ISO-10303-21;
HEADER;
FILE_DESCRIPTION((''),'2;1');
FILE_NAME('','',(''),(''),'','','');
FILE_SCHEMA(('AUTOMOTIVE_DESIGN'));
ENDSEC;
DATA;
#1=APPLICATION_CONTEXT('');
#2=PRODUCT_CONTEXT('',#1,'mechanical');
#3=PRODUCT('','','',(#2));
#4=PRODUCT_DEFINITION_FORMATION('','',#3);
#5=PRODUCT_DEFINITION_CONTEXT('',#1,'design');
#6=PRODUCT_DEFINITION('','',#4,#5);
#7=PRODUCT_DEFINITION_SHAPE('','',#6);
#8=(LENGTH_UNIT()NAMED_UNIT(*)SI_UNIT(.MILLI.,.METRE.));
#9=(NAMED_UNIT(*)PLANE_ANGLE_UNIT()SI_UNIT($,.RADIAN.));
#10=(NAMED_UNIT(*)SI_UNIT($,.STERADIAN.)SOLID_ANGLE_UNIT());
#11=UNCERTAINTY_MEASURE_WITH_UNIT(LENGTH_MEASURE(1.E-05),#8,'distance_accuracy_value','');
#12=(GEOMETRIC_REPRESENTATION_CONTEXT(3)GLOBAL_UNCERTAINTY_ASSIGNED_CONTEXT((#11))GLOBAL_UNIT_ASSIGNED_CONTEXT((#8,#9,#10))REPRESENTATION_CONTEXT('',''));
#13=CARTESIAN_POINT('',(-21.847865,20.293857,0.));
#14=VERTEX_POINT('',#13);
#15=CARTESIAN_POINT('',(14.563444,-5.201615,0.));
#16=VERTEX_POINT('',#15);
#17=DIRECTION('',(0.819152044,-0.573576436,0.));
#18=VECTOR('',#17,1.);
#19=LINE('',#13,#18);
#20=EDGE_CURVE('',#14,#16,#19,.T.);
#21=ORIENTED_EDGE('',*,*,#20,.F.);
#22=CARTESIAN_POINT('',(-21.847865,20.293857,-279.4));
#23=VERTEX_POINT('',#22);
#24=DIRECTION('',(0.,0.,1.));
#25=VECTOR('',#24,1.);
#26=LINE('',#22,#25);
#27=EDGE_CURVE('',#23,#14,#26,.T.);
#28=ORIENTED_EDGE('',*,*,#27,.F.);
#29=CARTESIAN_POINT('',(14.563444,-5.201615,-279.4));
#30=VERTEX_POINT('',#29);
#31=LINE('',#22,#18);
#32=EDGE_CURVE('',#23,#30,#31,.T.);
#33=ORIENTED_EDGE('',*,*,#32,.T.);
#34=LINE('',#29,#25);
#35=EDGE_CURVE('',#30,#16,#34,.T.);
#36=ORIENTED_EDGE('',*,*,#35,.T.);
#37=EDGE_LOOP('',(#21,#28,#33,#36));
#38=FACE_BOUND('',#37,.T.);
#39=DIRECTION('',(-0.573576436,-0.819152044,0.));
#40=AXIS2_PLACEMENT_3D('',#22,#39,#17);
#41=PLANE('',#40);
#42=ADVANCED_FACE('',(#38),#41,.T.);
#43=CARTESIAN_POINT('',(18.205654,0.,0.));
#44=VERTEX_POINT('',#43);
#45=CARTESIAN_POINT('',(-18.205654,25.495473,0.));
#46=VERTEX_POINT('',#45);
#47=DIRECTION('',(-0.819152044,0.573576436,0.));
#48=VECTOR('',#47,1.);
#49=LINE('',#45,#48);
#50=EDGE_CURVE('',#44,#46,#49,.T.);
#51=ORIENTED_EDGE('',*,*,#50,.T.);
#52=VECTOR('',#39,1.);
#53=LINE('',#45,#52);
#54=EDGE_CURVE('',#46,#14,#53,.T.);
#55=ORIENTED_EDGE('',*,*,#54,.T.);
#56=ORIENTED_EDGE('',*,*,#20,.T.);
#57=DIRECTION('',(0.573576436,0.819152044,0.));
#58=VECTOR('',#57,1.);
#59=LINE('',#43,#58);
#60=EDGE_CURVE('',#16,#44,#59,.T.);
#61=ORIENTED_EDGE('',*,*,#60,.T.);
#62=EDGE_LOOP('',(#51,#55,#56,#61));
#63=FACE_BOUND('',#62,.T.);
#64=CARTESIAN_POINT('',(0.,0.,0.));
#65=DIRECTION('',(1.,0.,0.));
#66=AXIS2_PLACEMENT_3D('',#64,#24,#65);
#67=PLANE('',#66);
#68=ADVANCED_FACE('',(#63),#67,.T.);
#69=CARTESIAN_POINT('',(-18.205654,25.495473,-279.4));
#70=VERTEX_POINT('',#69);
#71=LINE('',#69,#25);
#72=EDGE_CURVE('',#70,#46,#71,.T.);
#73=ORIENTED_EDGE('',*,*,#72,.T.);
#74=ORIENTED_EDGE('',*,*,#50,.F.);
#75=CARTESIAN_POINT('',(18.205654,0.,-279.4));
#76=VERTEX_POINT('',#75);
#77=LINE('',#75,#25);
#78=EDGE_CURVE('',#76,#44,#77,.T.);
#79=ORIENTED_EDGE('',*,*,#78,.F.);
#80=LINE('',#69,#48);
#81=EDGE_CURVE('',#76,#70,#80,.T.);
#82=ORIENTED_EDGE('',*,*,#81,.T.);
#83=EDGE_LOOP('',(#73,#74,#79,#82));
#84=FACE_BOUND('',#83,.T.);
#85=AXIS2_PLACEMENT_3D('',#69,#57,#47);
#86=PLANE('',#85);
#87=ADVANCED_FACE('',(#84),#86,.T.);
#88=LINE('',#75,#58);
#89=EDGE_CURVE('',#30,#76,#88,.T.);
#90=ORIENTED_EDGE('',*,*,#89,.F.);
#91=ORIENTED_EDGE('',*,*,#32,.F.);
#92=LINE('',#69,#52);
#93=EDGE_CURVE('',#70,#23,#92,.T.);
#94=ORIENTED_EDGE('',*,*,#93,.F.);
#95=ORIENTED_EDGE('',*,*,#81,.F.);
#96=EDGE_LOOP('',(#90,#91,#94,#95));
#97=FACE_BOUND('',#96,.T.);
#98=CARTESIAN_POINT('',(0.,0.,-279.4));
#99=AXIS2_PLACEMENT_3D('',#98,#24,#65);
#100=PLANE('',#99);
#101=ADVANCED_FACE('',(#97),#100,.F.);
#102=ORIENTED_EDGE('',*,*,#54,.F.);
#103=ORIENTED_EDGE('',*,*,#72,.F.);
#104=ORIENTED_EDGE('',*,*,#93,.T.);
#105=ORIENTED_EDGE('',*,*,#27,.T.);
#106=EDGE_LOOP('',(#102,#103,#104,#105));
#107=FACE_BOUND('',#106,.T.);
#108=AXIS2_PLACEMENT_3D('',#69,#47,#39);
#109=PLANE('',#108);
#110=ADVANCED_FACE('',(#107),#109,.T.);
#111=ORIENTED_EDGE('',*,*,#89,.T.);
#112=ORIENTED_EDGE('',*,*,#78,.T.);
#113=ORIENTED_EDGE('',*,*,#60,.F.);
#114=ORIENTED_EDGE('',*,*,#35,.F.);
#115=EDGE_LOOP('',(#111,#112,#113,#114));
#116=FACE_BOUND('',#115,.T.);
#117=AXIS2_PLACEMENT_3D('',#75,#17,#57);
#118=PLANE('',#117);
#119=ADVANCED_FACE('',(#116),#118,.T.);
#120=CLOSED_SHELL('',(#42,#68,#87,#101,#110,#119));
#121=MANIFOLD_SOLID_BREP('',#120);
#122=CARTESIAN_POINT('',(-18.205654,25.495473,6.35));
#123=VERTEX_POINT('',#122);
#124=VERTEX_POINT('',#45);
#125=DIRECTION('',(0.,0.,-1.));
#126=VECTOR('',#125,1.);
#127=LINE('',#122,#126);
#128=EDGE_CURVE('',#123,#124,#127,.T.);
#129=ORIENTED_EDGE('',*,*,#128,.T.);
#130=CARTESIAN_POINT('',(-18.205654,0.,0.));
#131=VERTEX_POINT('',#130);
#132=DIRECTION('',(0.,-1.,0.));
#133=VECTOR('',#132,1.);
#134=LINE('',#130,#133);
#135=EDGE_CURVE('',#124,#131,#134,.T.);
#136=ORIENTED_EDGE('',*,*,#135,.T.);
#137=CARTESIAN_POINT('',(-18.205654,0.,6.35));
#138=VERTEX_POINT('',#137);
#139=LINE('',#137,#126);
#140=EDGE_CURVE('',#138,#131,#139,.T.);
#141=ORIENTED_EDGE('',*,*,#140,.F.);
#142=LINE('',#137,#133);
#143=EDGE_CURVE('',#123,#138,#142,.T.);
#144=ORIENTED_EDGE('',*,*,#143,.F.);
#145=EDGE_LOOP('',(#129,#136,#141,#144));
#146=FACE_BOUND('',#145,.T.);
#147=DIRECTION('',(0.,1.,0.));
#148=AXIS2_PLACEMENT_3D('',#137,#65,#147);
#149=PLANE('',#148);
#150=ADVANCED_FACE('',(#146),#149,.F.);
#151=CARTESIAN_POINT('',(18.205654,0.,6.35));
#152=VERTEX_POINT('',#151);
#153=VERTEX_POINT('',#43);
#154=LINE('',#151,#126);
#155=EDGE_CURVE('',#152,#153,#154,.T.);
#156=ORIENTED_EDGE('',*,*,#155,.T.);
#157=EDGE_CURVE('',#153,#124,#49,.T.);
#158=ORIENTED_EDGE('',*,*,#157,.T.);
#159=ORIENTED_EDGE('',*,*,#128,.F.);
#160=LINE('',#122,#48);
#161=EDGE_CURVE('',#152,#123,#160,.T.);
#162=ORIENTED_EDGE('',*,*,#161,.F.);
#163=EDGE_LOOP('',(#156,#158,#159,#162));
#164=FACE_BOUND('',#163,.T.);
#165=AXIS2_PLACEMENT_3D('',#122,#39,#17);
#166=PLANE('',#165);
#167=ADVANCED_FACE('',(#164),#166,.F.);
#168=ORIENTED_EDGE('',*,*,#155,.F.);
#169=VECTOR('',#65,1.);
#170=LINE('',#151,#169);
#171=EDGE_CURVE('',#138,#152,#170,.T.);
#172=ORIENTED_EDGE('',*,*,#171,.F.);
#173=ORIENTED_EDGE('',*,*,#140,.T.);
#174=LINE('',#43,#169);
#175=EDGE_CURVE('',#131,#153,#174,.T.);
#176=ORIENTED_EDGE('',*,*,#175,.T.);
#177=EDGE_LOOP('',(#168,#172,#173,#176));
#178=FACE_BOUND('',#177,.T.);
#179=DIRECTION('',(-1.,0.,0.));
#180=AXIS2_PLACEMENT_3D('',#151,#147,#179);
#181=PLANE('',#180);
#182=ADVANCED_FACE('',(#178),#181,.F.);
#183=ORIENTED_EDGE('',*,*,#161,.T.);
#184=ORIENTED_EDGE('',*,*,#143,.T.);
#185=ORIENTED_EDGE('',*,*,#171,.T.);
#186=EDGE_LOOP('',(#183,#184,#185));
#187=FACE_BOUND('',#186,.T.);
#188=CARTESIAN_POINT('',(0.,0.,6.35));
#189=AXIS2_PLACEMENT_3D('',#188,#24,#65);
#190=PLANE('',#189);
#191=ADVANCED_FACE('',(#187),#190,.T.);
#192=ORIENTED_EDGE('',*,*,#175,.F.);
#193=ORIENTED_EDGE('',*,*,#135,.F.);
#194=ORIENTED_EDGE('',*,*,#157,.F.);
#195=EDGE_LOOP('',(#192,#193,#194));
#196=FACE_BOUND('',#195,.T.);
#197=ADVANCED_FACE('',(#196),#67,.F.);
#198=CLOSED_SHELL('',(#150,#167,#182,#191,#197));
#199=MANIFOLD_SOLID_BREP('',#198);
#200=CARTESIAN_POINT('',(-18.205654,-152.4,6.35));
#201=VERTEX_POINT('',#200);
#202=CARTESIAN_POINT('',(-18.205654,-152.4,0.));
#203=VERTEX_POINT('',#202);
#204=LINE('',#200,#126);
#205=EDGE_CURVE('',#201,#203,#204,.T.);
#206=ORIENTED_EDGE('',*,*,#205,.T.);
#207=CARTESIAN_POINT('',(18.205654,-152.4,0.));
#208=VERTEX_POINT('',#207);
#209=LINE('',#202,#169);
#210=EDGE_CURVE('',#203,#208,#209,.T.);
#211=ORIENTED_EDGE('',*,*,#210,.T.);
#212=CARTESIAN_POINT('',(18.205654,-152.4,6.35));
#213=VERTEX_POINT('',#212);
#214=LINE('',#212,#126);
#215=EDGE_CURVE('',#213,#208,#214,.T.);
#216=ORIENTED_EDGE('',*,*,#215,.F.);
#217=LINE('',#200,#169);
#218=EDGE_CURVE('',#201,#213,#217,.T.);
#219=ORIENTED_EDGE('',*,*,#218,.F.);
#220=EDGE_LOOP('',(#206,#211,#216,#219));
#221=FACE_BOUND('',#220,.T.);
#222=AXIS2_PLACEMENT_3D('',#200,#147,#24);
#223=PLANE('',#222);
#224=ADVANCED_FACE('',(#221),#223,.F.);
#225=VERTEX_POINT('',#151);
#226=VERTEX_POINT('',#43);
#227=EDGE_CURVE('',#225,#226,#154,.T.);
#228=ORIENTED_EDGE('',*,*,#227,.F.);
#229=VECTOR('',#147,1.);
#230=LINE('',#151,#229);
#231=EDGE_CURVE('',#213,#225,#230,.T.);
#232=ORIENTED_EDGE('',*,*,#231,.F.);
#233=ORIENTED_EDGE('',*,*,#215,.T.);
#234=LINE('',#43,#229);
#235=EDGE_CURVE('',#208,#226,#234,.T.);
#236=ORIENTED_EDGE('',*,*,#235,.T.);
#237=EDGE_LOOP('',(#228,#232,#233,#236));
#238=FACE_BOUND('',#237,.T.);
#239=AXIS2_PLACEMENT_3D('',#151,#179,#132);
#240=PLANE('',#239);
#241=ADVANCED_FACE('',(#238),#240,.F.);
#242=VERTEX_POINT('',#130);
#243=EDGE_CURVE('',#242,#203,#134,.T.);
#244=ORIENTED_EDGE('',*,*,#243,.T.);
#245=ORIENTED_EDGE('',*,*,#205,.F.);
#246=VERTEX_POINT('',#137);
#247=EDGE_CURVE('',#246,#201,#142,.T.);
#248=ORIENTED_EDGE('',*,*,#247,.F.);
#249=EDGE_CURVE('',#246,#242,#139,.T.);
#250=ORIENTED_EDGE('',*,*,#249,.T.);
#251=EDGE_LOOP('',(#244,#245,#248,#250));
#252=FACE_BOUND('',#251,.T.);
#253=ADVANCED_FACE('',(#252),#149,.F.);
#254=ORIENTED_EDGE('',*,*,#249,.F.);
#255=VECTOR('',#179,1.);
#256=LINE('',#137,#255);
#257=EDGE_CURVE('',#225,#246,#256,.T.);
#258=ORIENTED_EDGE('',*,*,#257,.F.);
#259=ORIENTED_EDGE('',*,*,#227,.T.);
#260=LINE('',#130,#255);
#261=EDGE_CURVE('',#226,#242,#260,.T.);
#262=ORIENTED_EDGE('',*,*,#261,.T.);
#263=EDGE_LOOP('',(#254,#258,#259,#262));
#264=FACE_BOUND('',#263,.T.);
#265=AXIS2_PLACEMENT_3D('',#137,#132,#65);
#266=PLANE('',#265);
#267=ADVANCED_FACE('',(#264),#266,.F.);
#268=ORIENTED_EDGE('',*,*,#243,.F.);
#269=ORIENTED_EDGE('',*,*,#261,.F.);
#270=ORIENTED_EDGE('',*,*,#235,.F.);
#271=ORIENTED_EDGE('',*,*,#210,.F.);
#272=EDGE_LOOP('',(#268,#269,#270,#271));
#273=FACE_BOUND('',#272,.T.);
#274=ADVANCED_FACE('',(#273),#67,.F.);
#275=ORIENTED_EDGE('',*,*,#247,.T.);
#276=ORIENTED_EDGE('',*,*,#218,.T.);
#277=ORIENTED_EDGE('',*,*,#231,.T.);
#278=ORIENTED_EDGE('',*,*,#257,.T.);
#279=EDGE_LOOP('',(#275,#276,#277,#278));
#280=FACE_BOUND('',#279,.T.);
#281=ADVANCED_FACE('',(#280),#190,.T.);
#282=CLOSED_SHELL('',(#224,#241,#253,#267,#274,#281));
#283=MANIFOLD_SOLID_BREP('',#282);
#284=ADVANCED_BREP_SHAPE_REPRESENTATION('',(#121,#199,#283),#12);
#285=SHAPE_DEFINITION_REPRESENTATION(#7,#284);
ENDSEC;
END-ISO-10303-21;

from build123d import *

# Parameters (mm, degrees)
BOSS_EXTRUDE1_DEPTH = 6.35
SKETCH2_W           = 36.411308368
SKETCH2_H           = 152.4
BOSS_EXTRUDE2_DEPTH = 6.35
BOSS_EXTRUDE3_DEPTH = 279.4


with BuildPart() as part:
    # Sketch1 → Boss-Extrude1 (new body)
    with BuildSketch(Plane.XY):
        Polygon((-18.205654184, 25.495472596), (18.205654184, 0), (-18.205654184, 0), align=None)
    extrude(amount=BOSS_EXTRUDE1_DEPTH)


with BuildPart() as body_2:
    # Sketch2 → Boss-Extrude2 (new body)
    with BuildSketch(Plane.XY):
        with Locations((0, -76.2)):
            Rectangle(SKETCH2_W, SKETCH2_H)
    extrude(amount=BOSS_EXTRUDE2_DEPTH)


with BuildPart() as body_3:
    # Sketch3 → Boss-Extrude3 (new body)
    with BuildSketch(Plane.XY):
        Polygon((-18.205654184, 25.495472596), (18.205654184, 0), (14.563443813, -5.201615481), (-21.847864555, 20.293857115), align=None)
    extrude(amount=-BOSS_EXTRUDE3_DEPTH)


solid = Compound([part.part, body_2.part, body_3.part])
